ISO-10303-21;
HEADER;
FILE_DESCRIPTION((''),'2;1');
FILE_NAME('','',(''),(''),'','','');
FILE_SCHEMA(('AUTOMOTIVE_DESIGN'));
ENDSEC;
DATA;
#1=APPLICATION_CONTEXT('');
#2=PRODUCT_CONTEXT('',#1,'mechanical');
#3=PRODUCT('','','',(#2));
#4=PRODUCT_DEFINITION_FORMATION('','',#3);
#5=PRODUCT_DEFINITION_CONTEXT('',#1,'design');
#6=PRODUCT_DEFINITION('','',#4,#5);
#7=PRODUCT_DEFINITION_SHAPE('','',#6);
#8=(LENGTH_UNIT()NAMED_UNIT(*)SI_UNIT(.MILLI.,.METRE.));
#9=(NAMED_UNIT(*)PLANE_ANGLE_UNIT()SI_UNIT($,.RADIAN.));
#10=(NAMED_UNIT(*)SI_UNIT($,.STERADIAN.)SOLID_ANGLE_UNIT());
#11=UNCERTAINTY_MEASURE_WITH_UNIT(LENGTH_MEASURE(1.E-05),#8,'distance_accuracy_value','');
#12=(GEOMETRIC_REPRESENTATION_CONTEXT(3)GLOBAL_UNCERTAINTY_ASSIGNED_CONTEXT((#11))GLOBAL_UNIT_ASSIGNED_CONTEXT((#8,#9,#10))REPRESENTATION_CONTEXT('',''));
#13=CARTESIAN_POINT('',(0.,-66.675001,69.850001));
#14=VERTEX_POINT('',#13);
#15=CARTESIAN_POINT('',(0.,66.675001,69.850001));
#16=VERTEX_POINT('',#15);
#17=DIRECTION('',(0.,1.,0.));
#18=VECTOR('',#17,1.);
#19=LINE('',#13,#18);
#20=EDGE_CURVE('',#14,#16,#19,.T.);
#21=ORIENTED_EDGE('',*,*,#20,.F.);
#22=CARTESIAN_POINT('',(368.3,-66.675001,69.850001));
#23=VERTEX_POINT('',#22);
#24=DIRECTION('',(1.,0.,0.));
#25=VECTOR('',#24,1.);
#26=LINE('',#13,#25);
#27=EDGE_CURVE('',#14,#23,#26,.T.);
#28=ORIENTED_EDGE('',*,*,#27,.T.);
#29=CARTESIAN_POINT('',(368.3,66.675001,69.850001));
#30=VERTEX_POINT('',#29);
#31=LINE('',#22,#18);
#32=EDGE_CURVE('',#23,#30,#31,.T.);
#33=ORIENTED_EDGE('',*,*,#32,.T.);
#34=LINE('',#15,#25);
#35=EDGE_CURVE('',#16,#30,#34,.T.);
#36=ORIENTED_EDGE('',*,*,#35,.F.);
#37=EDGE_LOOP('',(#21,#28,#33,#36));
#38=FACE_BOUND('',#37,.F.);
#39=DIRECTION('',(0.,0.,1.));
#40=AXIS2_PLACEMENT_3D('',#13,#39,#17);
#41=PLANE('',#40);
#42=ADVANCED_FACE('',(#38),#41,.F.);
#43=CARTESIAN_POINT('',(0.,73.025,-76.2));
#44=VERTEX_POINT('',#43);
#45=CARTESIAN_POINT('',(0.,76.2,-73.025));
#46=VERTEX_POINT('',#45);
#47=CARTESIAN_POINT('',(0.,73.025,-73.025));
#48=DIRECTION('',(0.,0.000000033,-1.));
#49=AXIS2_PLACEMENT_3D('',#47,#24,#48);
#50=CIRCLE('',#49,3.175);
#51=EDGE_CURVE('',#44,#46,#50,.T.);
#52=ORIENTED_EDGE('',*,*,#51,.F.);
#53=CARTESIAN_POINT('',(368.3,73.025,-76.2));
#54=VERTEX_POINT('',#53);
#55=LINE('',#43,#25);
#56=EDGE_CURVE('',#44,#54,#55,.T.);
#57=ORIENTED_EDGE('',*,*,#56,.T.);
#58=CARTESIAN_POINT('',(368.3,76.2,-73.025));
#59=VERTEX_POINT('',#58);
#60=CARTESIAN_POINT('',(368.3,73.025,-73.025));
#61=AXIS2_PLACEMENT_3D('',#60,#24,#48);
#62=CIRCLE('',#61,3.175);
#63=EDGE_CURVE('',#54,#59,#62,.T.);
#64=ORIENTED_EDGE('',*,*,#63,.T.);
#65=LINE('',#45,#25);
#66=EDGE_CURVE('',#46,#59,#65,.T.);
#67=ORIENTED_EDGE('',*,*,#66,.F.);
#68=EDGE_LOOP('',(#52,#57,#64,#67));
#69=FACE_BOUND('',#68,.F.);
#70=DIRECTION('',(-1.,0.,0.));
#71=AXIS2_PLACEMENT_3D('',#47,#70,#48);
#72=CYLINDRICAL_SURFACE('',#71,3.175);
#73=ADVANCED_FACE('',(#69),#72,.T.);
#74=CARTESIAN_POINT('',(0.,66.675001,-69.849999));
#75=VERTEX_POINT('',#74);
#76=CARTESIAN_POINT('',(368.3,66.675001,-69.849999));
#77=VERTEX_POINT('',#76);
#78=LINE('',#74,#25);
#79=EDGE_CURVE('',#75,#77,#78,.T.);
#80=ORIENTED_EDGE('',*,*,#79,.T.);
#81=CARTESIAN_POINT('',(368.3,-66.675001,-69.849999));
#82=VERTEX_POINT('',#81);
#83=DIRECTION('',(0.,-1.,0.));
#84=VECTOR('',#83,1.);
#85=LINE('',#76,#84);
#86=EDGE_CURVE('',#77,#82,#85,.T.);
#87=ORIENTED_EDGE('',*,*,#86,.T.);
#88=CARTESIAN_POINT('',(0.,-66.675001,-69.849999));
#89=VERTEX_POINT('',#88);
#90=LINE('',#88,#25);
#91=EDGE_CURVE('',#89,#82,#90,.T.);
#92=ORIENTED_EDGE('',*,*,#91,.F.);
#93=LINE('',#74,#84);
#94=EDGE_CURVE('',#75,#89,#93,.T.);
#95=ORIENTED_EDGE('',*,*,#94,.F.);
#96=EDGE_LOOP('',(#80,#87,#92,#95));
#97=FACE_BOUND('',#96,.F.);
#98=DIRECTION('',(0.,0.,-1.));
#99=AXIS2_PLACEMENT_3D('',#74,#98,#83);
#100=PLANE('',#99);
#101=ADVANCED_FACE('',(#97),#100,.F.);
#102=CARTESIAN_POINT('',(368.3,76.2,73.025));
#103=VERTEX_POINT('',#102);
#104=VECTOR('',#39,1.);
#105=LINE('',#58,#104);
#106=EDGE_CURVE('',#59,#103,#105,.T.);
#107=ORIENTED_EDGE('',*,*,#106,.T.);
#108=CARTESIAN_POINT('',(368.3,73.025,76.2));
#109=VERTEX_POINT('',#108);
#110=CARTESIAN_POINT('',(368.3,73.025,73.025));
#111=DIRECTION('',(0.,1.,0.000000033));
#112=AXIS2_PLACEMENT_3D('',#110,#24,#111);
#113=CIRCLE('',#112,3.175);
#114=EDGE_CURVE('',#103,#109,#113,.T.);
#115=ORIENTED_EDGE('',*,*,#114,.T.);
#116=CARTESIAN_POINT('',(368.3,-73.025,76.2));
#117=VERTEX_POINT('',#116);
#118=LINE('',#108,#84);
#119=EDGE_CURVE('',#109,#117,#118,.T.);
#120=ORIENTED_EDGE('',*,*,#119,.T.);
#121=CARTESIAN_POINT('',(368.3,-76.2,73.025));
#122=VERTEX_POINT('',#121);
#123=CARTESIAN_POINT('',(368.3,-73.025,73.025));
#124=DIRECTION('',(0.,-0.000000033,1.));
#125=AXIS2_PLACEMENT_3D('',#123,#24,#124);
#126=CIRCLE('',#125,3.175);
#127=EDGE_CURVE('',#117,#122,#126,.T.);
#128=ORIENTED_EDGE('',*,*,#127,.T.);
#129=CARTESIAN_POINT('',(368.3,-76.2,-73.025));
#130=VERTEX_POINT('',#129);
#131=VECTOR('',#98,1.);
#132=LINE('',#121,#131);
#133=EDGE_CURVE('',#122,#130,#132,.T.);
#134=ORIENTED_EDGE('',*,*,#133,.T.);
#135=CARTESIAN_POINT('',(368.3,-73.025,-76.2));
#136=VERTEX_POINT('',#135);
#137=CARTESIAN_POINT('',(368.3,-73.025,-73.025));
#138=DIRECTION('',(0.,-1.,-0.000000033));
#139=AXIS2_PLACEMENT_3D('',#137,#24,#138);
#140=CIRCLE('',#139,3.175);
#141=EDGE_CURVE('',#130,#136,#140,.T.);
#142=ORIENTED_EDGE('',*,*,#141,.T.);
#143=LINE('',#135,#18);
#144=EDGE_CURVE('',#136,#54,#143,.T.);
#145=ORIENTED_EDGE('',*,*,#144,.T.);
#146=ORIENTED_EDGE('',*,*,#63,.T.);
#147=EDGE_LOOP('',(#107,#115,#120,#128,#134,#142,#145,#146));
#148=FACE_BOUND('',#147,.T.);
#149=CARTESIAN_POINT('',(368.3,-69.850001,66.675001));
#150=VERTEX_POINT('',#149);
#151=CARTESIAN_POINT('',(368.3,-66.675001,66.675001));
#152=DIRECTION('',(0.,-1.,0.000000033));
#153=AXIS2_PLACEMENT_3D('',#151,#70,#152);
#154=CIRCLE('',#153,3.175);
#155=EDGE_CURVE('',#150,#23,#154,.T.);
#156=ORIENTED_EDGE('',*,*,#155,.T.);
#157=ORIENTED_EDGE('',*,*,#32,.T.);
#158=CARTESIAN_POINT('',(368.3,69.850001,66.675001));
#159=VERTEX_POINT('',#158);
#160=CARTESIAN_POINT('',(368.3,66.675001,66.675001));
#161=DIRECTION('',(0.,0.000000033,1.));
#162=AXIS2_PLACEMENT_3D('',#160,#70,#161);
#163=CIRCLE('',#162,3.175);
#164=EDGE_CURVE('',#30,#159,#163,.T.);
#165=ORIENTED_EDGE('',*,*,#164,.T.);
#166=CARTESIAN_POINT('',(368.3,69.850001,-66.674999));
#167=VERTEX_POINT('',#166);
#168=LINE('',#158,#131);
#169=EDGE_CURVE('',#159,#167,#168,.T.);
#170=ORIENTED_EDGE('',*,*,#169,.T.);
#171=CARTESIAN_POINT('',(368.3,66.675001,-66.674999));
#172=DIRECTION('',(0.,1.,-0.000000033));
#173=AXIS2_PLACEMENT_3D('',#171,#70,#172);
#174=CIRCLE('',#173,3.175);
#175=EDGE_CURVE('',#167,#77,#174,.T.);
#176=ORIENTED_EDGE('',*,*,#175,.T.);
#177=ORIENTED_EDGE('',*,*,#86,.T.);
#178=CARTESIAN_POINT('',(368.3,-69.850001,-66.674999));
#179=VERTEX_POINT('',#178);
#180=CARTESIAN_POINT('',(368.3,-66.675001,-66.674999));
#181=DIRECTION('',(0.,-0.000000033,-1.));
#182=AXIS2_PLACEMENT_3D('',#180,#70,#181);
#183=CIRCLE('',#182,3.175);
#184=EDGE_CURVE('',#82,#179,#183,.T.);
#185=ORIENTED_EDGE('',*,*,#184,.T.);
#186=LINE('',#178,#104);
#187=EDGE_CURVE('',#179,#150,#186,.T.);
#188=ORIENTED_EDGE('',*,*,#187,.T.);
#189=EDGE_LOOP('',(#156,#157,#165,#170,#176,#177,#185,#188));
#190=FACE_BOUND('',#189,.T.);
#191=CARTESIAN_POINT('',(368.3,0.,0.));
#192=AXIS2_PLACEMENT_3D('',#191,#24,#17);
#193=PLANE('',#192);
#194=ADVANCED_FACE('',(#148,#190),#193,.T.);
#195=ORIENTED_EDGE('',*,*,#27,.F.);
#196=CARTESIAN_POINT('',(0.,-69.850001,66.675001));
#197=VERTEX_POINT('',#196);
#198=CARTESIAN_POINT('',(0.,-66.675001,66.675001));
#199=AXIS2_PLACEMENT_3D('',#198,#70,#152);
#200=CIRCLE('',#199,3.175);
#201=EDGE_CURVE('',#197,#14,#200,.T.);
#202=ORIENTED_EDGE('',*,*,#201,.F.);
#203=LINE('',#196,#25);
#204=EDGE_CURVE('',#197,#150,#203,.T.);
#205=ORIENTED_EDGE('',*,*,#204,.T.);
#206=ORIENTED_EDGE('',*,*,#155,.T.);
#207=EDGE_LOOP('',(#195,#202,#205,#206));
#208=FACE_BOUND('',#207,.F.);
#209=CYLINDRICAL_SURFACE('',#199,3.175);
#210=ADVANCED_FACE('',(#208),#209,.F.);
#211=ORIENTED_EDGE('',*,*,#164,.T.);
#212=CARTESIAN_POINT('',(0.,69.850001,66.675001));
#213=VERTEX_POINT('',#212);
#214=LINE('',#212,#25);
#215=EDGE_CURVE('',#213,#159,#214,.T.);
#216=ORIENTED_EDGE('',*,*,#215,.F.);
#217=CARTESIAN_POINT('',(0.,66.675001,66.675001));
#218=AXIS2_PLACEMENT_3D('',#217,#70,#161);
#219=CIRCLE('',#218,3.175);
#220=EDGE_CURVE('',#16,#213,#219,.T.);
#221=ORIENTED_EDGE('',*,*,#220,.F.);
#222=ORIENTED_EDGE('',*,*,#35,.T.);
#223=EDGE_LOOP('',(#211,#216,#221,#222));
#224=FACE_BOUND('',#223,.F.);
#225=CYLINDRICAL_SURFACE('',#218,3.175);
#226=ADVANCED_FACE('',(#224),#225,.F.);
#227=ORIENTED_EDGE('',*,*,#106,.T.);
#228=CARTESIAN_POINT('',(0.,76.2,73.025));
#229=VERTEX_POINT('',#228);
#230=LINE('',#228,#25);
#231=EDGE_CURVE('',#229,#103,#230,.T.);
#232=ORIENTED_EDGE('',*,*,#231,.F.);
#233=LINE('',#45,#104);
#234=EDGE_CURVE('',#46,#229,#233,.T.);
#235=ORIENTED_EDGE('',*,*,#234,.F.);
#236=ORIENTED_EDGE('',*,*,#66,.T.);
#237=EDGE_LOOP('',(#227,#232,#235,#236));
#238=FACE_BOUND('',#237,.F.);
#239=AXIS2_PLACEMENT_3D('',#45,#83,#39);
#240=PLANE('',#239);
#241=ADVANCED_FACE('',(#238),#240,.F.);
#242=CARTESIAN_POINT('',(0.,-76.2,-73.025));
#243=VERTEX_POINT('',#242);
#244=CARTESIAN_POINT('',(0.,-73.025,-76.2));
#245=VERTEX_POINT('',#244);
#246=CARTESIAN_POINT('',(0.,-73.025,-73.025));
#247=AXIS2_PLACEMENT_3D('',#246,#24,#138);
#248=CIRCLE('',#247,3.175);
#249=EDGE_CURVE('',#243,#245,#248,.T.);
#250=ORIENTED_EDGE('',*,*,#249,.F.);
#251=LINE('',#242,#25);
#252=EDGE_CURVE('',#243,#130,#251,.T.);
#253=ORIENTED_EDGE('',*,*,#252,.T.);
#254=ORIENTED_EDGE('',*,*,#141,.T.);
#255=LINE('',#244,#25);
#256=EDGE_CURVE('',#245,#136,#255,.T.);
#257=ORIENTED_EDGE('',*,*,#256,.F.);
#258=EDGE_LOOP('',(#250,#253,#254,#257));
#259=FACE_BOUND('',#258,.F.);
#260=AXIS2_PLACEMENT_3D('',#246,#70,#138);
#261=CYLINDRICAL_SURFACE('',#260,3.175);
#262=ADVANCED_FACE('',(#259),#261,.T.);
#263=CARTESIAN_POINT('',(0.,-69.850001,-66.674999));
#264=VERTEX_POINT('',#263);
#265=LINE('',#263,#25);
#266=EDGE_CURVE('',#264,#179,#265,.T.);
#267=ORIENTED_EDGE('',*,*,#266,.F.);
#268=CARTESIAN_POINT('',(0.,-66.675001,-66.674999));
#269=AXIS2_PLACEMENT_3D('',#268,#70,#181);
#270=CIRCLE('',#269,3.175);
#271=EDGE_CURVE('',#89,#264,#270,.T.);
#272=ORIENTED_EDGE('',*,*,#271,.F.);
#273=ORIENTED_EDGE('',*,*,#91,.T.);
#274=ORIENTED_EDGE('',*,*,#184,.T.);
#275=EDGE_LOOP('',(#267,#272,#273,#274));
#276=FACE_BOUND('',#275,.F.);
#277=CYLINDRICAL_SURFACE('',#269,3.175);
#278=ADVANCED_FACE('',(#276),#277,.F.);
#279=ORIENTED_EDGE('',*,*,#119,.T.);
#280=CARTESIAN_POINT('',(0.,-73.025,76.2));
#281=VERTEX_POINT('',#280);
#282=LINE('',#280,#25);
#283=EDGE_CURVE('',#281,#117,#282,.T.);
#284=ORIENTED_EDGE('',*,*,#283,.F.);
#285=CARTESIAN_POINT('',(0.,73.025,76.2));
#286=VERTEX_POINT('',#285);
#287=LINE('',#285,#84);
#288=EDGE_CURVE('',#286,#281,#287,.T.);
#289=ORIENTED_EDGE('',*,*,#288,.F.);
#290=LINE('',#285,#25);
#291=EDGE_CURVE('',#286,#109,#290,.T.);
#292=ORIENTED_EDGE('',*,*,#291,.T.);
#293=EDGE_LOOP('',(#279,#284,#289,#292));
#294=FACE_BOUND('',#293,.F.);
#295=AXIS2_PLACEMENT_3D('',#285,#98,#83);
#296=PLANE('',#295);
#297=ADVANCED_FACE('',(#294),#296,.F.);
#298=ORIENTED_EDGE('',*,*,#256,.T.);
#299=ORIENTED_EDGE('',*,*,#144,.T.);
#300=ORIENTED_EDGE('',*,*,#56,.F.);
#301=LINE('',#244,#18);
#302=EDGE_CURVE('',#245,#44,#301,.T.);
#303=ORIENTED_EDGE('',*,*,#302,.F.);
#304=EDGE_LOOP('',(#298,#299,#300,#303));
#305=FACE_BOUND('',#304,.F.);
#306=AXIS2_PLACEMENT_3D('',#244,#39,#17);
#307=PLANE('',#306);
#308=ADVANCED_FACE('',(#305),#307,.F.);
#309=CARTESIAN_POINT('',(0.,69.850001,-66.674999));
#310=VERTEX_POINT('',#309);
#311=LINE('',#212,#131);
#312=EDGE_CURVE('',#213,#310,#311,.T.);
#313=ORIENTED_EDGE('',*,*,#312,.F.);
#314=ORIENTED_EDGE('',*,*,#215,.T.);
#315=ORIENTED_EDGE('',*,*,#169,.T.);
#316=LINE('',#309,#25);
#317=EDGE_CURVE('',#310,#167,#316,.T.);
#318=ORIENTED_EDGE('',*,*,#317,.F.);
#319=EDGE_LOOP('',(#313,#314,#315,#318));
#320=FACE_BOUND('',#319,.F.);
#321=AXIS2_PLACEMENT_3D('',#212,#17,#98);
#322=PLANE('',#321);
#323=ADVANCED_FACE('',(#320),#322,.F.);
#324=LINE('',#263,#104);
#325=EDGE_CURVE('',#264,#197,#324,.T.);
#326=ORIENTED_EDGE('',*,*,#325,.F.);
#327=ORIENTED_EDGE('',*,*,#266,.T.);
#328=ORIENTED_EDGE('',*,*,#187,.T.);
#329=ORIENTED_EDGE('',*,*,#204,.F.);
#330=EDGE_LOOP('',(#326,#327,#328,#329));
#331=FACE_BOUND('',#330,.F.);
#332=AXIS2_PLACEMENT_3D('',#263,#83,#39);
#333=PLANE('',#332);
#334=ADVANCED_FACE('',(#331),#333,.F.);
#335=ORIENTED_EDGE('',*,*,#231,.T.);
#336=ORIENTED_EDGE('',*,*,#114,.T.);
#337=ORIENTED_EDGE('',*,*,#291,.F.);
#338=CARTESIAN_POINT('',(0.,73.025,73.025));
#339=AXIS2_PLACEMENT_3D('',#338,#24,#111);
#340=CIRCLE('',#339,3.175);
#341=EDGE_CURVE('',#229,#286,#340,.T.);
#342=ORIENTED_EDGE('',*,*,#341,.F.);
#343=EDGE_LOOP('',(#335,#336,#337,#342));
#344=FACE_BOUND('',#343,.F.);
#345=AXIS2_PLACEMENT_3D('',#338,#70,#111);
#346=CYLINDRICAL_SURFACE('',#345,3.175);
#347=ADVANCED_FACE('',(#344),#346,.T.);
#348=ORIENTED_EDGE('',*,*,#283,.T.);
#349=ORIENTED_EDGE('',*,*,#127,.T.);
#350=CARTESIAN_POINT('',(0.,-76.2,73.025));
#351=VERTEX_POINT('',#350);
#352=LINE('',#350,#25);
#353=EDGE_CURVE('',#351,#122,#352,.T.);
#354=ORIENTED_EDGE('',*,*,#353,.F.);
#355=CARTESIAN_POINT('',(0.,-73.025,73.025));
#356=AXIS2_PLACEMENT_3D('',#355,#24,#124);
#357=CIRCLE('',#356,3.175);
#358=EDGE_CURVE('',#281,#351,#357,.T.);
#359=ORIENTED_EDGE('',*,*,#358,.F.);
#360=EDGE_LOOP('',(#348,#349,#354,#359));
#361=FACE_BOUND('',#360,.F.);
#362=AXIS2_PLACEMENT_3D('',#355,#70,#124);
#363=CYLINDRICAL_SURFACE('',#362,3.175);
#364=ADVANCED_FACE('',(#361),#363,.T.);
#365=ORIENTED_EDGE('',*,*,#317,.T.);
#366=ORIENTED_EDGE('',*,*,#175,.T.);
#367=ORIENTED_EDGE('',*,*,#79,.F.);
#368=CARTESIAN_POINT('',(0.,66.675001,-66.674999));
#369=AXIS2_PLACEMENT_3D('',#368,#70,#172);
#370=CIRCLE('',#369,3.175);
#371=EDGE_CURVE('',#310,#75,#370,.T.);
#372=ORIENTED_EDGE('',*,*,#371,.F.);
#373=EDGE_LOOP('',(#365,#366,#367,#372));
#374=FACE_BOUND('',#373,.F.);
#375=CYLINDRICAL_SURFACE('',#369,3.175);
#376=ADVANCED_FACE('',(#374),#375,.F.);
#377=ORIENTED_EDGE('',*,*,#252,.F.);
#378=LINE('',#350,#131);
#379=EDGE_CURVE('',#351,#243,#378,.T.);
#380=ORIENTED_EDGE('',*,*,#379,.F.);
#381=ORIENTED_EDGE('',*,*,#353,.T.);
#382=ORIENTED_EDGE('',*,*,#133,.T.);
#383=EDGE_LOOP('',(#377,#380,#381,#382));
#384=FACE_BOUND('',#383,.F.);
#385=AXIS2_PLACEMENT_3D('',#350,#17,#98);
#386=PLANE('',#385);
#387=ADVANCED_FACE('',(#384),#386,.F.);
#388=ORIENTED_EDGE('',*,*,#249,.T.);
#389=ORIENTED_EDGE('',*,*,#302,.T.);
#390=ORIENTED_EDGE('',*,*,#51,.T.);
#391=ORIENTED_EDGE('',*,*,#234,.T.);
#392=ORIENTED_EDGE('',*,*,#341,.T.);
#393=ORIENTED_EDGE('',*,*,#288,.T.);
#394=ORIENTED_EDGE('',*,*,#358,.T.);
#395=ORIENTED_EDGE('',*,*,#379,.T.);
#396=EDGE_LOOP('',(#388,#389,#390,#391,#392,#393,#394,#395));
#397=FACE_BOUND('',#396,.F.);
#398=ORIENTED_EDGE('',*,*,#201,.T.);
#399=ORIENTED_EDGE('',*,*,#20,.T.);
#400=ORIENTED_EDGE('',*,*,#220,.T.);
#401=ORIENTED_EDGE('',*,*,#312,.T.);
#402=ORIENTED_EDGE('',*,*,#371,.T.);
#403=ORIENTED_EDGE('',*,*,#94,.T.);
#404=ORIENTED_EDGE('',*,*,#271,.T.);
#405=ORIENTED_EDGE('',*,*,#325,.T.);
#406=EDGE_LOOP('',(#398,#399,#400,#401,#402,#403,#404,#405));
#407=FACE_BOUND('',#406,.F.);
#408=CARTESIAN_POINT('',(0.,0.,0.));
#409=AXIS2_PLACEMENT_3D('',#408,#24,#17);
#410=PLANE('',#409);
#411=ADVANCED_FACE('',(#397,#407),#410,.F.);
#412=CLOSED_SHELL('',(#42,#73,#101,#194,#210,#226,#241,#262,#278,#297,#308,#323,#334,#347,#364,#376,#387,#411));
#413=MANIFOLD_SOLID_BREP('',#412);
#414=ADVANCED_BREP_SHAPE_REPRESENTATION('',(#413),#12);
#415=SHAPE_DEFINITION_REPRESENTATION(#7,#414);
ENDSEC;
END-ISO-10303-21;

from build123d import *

# Parameters (mm, degrees)
F1_DEPTH = 368.3


with BuildPart() as f1:
    # F0 (on Right) → F1 (new body)
    with BuildSketch(Plane.YZ):
        with BuildLine():
            Line((73.025, 76.2), (-73.025, 76.2))
            ThreePointArc((-73.025, 76.2), (-75.270064, 75.270064), (-76.2, 73.025))
            Line((-76.2, 73.025), (-76.2, -73.025))
            ThreePointArc((-76.2, -73.025), (-75.270064, -75.270064), (-73.025, -76.2))
            Line((-73.025, -76.2), (73.025, -76.2))
            ThreePointArc((73.025, -76.2), (75.270064, -75.270064), (76.2, -73.025))
            Line((76.2, -73.025), (76.2, 73.025))
            ThreePointArc((76.2, 73.025), (75.270064, 75.270064), (73.025, 76.2))
        make_face()
        with BuildLine():
            Line((-69.850001, -66.674999), (-69.850001, 66.675001))
            ThreePointArc((-69.850001, 66.675001), (-68.920065, 68.920065), (-66.675001, 69.850001))
            Line((-66.675001, 69.850001), (66.675001, 69.850001))
            ThreePointArc((66.675001, 69.850001), (68.920065, 68.920065), (69.850001, 66.675001))
            Line((69.850001, 66.675001), (69.850001, -66.674999))
            ThreePointArc((69.850001, -66.674999), (68.920065, -68.920063), (66.675001, -69.849999))
            Line((66.675001, -69.849999), (-66.675001, -69.849999))
            ThreePointArc((-66.675001, -69.849999), (-68.920065, -68.920063), (-69.850001, -66.674999))
        make_face(mode=Mode.SUBTRACT)
    extrude(amount=F1_DEPTH)


solid = f1.part
